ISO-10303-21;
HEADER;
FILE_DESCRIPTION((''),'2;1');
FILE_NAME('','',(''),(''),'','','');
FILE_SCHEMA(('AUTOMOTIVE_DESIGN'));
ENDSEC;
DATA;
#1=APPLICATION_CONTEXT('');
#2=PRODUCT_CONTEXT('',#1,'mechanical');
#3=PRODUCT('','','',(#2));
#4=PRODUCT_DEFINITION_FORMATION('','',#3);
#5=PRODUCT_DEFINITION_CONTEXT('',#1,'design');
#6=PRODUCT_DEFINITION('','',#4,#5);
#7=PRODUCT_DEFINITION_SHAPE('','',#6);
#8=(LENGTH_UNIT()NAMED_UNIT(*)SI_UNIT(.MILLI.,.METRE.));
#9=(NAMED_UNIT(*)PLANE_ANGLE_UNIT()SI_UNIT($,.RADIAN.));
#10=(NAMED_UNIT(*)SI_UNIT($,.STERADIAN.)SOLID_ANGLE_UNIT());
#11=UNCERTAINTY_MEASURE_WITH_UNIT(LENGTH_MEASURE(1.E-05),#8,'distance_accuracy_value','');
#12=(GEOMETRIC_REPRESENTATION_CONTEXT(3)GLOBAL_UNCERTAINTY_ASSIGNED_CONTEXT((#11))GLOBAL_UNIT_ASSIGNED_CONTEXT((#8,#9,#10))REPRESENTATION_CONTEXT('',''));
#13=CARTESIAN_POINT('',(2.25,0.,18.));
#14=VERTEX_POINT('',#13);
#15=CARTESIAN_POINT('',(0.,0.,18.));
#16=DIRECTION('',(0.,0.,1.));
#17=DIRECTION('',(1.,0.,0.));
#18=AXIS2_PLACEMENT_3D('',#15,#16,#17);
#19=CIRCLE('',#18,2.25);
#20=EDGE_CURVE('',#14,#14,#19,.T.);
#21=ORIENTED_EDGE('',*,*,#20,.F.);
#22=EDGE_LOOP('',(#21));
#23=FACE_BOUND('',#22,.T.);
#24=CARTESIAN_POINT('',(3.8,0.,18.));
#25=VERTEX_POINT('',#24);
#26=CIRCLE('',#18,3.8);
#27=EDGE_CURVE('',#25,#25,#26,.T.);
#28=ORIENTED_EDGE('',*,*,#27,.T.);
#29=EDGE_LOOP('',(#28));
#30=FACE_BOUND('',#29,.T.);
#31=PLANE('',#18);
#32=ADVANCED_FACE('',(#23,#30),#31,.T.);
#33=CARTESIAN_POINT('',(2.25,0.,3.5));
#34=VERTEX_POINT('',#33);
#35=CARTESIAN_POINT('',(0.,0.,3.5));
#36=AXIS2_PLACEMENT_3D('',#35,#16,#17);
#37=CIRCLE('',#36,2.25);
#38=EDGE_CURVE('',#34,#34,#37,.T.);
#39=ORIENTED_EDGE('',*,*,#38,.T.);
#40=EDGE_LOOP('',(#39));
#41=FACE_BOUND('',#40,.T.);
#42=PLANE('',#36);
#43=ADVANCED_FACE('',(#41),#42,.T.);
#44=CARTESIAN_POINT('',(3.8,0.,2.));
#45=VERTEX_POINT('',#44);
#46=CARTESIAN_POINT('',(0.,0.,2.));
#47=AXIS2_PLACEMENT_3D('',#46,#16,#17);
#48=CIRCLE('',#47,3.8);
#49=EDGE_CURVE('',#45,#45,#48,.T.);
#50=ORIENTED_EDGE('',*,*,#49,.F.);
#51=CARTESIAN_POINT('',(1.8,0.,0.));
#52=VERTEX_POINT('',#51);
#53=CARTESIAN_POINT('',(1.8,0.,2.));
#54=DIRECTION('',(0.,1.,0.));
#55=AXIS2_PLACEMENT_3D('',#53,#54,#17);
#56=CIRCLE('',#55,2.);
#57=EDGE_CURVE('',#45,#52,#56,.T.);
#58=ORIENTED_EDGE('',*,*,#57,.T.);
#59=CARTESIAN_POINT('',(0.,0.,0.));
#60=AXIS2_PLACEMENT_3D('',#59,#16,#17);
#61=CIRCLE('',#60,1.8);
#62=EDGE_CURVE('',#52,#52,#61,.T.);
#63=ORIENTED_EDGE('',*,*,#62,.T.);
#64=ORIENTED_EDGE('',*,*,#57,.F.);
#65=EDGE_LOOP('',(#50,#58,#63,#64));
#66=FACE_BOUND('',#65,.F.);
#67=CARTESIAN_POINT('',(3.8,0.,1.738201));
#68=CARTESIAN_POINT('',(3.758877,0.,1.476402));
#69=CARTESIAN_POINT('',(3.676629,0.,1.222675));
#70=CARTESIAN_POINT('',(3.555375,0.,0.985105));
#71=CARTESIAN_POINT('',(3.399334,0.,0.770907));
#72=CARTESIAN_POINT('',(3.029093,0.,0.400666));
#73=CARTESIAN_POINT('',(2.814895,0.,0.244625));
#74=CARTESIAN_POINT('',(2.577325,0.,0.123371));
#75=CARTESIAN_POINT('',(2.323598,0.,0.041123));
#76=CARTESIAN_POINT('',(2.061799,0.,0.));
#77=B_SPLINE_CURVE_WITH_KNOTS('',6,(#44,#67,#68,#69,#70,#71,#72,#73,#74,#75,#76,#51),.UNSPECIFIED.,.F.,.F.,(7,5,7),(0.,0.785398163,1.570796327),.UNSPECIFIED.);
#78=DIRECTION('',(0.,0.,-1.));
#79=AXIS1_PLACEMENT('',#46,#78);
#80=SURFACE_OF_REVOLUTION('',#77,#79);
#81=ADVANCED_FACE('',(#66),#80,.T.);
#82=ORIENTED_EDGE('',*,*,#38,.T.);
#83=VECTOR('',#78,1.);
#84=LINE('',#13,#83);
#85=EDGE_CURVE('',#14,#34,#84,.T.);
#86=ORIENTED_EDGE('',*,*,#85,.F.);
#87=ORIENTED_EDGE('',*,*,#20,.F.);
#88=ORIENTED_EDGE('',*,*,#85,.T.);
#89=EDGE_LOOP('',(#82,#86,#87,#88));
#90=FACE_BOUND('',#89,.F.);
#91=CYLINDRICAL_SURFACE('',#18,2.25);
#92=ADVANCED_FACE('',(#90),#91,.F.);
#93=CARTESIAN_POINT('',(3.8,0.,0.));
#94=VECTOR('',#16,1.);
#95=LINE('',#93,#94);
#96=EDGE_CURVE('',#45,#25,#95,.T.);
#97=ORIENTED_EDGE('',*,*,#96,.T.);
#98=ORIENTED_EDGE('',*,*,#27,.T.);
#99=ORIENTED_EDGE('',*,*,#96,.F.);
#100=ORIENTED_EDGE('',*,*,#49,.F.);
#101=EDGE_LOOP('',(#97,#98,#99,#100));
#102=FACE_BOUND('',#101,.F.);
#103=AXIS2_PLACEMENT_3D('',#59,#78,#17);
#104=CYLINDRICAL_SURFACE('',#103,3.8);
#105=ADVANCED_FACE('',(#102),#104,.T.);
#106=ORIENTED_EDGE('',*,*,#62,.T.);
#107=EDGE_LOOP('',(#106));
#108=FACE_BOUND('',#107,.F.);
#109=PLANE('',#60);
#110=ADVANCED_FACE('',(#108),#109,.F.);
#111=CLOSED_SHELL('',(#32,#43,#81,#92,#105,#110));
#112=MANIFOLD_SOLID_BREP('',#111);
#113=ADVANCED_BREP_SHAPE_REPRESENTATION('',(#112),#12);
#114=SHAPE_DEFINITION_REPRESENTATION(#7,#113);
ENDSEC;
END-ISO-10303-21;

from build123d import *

# Parameters (mm, degrees)
SKETCH_R     = 3.8
PAD_DEPTH    = 18
SKETCH001_R  = 2.25
POCKET_DEPTH = 14.5
FILLET_R     = 2


with BuildPart() as part:
    # Sketch → Pad (new body)
    with BuildSketch(Plane.XY):
        Circle(SKETCH_R)
    extrude(amount=PAD_DEPTH)

    # Sketch001 (on Face3 of Pad) → Pocket (cut)
    with BuildSketch(Plane.XY.offset(18)):
        Circle(SKETCH001_R)
    extrude(amount=-POCKET_DEPTH, mode=Mode.SUBTRACT)

    # Fillet
    fillet_edges = [part.edges().sort_by_distance(p)[0] for p in [
        (-3.8, 0, 0),
    ]]
    fillet(fillet_edges, radius=FILLET_R)


solid = part.part
